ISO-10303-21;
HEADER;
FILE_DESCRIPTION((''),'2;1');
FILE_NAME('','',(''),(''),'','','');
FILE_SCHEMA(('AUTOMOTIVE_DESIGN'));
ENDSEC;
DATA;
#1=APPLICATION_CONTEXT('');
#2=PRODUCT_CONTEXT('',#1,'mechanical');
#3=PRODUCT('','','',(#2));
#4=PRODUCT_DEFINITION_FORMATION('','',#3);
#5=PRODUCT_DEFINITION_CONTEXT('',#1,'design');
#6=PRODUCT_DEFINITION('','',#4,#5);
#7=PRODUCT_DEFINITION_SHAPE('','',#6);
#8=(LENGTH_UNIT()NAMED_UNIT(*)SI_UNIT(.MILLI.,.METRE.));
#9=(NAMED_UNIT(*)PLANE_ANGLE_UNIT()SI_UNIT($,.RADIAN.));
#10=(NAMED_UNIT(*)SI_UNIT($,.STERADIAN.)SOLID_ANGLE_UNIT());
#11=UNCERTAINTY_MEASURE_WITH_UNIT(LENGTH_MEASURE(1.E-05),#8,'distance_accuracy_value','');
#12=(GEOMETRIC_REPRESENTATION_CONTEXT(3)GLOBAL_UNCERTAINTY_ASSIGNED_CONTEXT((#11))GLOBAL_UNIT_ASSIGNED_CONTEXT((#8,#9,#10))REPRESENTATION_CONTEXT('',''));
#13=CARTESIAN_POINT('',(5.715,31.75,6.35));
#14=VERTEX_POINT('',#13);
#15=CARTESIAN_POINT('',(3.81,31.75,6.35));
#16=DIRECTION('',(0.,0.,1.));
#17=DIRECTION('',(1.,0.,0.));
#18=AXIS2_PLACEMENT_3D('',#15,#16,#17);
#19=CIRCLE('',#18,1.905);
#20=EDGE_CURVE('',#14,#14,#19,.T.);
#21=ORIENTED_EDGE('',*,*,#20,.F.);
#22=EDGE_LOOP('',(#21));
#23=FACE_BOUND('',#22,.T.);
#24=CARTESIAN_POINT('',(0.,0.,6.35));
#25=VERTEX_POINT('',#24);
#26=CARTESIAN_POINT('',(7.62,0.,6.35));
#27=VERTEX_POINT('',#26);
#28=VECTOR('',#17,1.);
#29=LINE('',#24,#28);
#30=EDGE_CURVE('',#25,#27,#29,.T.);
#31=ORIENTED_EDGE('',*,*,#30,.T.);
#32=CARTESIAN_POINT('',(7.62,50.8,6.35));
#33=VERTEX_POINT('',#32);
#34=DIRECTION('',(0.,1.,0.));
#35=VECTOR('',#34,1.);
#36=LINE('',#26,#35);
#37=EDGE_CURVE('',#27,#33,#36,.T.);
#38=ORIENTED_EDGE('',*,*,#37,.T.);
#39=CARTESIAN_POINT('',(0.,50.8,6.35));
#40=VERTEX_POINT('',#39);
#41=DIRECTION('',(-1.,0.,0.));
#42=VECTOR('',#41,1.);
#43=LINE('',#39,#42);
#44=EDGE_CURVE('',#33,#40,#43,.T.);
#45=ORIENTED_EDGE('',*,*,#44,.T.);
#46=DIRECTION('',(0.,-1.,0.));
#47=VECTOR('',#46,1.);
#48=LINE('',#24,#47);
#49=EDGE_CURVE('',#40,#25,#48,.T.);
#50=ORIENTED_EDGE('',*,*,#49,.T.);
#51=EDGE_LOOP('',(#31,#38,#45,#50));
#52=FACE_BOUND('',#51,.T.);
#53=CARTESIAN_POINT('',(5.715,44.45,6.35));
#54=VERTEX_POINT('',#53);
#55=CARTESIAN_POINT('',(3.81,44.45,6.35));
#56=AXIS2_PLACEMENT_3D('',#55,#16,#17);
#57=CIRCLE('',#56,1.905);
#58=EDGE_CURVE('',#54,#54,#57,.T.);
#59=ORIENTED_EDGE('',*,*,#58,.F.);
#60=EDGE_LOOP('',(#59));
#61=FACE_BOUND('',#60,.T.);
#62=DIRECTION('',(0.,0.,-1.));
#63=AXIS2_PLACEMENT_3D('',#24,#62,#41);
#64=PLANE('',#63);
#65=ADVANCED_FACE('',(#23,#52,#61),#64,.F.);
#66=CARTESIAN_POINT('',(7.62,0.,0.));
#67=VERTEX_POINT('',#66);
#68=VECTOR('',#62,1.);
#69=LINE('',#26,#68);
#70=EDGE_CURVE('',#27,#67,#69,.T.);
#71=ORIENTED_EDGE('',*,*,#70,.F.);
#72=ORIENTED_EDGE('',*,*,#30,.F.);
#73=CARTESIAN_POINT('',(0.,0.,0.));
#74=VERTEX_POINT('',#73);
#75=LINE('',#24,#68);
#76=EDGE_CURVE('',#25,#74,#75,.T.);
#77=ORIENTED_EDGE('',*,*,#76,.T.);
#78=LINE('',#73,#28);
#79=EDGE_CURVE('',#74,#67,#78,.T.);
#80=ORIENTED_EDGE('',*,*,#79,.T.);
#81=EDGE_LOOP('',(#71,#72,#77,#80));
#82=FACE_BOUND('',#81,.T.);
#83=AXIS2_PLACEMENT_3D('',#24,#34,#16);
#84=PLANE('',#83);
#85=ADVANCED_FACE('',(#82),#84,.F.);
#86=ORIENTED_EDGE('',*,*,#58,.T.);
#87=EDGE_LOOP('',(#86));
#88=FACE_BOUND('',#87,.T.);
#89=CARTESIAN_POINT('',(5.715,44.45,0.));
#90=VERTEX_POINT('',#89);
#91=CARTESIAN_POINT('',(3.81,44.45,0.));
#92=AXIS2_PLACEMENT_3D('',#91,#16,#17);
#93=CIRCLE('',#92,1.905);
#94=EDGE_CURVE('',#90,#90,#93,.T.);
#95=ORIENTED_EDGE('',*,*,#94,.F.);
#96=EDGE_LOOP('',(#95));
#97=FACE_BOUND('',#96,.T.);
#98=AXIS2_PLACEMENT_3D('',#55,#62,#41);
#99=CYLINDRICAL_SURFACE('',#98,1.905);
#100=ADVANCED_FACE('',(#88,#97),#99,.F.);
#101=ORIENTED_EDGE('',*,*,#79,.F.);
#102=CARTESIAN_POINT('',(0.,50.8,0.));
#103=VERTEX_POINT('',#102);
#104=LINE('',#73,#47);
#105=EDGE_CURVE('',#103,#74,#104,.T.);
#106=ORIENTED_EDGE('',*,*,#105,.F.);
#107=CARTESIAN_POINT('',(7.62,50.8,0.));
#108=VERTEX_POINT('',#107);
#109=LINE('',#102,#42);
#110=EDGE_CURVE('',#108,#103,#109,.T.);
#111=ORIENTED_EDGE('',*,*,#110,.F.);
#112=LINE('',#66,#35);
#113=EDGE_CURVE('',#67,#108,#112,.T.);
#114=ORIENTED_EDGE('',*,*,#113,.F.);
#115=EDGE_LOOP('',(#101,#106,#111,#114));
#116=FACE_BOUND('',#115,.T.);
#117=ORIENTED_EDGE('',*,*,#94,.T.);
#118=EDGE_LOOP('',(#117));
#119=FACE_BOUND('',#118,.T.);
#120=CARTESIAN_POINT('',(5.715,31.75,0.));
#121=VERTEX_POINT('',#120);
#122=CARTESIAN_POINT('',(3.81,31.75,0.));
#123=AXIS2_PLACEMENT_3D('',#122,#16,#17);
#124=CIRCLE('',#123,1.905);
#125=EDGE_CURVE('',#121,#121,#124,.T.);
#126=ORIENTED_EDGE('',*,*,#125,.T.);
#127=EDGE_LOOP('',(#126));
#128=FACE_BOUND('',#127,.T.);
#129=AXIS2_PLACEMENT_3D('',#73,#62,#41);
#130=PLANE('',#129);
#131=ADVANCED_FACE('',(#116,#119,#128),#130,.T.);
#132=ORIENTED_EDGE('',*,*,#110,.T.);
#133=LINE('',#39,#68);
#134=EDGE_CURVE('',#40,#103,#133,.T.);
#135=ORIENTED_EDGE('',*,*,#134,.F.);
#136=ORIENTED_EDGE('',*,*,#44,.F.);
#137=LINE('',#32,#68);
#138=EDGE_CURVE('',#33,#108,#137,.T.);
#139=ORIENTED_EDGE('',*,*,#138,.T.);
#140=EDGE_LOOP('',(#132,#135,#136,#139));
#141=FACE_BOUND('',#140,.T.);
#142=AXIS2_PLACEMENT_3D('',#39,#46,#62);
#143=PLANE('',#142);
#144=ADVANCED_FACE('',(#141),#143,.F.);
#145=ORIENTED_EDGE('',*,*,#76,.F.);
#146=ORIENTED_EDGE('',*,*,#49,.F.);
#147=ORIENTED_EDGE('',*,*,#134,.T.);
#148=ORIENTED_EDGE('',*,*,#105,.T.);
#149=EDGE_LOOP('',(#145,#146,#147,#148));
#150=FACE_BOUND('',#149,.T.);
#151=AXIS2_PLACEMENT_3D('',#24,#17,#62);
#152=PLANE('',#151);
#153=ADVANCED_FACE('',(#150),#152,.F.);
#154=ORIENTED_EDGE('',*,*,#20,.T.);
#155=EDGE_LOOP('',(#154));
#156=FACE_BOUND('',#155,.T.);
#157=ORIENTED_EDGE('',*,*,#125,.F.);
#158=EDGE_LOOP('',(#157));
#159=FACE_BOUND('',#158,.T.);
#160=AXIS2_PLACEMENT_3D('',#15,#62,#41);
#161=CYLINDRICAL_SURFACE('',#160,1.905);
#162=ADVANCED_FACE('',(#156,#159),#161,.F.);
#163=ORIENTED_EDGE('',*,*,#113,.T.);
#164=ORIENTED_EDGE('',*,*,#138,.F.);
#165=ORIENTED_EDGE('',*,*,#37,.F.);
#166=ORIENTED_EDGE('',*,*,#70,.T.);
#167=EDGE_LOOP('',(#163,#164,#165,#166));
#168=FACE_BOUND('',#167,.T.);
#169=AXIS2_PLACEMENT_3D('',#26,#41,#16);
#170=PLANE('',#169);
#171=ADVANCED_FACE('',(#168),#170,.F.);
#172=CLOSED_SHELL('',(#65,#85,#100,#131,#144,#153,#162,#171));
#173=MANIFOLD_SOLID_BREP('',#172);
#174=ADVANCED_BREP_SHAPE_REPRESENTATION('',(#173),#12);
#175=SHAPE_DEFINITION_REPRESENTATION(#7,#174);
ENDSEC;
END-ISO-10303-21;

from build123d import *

# Parameters (mm, degrees)
SKETCH1_W           = 7.62
SKETCH1_H           = 50.8
SKETCH1_R           = 1.905
BOSS_EXTRUDE1_DEPTH = 6.35


with BuildPart() as part:
    # Sketch1 → Boss-Extrude1 (new body)
    with BuildSketch(Plane.XY):
        with Locations((3.81, 25.4)):
            Rectangle(SKETCH1_W, SKETCH1_H)
        with Locations((3.81, 44.45)):
            Circle(SKETCH1_R, mode=Mode.SUBTRACT)
        with Locations((3.81, 31.75)):
            Circle(SKETCH1_R, mode=Mode.SUBTRACT)
    extrude(amount=BOSS_EXTRUDE1_DEPTH)


solid = part.part
